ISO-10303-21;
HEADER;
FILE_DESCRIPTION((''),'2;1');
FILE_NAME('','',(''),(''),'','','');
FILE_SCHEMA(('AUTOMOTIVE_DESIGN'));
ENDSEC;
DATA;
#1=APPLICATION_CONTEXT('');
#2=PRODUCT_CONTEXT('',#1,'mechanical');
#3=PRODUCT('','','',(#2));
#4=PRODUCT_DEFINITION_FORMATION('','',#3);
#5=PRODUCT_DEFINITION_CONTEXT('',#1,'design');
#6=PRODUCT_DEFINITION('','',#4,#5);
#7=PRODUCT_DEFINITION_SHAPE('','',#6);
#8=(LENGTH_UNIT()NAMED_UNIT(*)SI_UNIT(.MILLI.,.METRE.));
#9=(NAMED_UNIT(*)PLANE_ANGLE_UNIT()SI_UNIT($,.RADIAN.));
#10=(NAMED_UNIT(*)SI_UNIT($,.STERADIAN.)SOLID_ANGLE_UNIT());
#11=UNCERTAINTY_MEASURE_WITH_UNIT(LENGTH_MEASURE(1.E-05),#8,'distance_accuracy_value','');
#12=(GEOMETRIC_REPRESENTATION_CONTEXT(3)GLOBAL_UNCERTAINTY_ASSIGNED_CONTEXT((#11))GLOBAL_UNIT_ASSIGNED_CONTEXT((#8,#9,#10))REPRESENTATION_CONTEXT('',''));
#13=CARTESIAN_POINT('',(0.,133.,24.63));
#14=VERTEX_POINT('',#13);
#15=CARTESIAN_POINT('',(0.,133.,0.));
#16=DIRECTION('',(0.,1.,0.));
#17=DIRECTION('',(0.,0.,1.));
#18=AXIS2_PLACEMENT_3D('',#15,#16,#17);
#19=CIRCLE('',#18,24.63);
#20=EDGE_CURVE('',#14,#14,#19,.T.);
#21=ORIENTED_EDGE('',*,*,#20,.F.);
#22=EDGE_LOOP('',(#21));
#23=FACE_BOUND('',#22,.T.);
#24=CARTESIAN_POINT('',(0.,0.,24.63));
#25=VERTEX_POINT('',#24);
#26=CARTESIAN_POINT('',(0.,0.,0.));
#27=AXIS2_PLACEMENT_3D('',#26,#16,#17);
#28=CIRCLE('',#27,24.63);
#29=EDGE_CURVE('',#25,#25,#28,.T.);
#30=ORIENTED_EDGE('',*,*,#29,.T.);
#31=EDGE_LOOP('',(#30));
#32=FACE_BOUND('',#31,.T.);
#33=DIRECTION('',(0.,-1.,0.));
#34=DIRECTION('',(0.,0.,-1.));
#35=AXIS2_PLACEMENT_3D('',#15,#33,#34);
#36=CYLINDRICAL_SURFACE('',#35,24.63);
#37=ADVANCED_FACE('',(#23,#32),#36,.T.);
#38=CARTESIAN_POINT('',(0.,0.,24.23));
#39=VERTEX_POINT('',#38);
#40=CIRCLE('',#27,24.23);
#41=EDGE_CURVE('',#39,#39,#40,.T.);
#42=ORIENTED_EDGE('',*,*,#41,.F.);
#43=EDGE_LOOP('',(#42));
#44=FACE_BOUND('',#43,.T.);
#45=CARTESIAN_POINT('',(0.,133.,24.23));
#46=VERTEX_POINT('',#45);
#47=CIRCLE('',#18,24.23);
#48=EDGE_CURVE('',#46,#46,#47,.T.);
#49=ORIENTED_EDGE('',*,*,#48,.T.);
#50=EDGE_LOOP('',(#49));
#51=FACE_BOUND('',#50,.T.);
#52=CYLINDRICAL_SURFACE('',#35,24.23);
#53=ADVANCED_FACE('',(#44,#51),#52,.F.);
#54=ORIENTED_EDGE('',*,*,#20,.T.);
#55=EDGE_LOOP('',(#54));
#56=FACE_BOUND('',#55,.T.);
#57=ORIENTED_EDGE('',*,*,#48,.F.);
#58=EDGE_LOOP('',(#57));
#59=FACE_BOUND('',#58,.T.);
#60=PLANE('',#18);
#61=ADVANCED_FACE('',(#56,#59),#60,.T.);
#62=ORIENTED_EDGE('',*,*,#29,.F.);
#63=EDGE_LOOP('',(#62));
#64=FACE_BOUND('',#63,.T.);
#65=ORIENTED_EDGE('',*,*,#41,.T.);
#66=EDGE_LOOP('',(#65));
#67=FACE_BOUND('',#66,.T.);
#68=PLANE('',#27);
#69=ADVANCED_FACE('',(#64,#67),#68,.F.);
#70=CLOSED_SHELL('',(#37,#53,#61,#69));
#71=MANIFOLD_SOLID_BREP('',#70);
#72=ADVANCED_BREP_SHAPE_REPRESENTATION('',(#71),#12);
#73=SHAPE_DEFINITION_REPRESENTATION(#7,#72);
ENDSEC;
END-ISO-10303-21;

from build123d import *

# Parameters (mm, degrees)
SKETCH1_R           = 24.63
SKETCH1_R_2         = 24.23
BOSS_EXTRUDE1_DEPTH = 133


with BuildPart() as part:
    # Sketch1 → Boss-Extrude1 (new body)
    with BuildSketch(Plane(origin=(0, 0, 0), x_dir=(1, 0, 0), z_dir=(0, 1, 0))):
        with Locations(Location((0, 0, 0), (0, 0, 270))):
            Circle(SKETCH1_R)
        with Locations(Location((0, 0, 0), (0, 0, 270))):
            Circle(SKETCH1_R_2, mode=Mode.SUBTRACT)
    extrude(amount=BOSS_EXTRUDE1_DEPTH)


solid = part.part
